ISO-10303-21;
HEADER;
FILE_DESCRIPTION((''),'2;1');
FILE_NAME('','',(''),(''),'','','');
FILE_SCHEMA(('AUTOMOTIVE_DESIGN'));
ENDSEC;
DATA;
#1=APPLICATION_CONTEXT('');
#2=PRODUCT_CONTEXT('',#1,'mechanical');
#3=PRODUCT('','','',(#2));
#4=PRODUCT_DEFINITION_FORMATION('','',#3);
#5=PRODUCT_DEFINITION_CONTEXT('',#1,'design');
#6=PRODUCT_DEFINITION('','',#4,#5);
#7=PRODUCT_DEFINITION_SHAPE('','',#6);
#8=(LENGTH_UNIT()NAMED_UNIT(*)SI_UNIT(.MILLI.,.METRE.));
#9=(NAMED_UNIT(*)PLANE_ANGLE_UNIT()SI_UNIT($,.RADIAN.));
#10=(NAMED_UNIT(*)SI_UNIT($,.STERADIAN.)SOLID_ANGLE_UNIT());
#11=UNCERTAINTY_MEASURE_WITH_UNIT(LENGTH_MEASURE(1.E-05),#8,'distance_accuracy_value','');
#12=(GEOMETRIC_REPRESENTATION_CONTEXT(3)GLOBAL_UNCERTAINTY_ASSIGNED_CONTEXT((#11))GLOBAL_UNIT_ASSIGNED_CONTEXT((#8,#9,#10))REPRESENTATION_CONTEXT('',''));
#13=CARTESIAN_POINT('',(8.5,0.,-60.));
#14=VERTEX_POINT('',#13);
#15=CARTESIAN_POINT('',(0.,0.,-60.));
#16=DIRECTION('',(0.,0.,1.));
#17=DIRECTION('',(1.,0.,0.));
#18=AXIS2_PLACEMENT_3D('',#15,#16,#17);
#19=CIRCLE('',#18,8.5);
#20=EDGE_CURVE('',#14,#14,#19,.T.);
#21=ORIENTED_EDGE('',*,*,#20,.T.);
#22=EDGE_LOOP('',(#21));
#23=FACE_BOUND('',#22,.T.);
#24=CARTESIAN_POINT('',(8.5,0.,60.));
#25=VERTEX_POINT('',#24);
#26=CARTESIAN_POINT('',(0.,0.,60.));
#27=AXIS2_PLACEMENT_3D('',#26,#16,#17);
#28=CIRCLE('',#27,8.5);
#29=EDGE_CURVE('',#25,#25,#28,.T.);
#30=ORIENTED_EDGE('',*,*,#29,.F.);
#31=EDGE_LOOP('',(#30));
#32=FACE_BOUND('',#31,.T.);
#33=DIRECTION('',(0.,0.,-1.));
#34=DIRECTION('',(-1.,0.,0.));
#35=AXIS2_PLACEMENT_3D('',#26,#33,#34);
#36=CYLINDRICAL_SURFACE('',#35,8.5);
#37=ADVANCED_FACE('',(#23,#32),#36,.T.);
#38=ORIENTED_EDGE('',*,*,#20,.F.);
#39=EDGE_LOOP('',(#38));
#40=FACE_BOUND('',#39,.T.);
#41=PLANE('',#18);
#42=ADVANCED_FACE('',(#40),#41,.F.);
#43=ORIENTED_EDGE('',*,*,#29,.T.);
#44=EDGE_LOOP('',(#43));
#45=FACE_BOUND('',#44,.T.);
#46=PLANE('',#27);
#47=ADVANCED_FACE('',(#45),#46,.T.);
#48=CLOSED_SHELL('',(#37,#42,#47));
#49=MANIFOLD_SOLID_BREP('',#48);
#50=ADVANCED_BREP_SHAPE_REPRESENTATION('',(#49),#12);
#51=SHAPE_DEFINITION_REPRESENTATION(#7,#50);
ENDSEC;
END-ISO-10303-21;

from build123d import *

# Parameters (mm, degrees)
SKETCH1_R           = 8.5
BOSS_EXTRUDE1_DEPTH = 60


with BuildPart() as part:
    # Sketch1 → Boss-Extrude1 (new body, symmetric)
    with BuildSketch(Plane.XY):
        Circle(SKETCH1_R)
    extrude(amount=BOSS_EXTRUDE1_DEPTH, both=True)


solid = part.part
